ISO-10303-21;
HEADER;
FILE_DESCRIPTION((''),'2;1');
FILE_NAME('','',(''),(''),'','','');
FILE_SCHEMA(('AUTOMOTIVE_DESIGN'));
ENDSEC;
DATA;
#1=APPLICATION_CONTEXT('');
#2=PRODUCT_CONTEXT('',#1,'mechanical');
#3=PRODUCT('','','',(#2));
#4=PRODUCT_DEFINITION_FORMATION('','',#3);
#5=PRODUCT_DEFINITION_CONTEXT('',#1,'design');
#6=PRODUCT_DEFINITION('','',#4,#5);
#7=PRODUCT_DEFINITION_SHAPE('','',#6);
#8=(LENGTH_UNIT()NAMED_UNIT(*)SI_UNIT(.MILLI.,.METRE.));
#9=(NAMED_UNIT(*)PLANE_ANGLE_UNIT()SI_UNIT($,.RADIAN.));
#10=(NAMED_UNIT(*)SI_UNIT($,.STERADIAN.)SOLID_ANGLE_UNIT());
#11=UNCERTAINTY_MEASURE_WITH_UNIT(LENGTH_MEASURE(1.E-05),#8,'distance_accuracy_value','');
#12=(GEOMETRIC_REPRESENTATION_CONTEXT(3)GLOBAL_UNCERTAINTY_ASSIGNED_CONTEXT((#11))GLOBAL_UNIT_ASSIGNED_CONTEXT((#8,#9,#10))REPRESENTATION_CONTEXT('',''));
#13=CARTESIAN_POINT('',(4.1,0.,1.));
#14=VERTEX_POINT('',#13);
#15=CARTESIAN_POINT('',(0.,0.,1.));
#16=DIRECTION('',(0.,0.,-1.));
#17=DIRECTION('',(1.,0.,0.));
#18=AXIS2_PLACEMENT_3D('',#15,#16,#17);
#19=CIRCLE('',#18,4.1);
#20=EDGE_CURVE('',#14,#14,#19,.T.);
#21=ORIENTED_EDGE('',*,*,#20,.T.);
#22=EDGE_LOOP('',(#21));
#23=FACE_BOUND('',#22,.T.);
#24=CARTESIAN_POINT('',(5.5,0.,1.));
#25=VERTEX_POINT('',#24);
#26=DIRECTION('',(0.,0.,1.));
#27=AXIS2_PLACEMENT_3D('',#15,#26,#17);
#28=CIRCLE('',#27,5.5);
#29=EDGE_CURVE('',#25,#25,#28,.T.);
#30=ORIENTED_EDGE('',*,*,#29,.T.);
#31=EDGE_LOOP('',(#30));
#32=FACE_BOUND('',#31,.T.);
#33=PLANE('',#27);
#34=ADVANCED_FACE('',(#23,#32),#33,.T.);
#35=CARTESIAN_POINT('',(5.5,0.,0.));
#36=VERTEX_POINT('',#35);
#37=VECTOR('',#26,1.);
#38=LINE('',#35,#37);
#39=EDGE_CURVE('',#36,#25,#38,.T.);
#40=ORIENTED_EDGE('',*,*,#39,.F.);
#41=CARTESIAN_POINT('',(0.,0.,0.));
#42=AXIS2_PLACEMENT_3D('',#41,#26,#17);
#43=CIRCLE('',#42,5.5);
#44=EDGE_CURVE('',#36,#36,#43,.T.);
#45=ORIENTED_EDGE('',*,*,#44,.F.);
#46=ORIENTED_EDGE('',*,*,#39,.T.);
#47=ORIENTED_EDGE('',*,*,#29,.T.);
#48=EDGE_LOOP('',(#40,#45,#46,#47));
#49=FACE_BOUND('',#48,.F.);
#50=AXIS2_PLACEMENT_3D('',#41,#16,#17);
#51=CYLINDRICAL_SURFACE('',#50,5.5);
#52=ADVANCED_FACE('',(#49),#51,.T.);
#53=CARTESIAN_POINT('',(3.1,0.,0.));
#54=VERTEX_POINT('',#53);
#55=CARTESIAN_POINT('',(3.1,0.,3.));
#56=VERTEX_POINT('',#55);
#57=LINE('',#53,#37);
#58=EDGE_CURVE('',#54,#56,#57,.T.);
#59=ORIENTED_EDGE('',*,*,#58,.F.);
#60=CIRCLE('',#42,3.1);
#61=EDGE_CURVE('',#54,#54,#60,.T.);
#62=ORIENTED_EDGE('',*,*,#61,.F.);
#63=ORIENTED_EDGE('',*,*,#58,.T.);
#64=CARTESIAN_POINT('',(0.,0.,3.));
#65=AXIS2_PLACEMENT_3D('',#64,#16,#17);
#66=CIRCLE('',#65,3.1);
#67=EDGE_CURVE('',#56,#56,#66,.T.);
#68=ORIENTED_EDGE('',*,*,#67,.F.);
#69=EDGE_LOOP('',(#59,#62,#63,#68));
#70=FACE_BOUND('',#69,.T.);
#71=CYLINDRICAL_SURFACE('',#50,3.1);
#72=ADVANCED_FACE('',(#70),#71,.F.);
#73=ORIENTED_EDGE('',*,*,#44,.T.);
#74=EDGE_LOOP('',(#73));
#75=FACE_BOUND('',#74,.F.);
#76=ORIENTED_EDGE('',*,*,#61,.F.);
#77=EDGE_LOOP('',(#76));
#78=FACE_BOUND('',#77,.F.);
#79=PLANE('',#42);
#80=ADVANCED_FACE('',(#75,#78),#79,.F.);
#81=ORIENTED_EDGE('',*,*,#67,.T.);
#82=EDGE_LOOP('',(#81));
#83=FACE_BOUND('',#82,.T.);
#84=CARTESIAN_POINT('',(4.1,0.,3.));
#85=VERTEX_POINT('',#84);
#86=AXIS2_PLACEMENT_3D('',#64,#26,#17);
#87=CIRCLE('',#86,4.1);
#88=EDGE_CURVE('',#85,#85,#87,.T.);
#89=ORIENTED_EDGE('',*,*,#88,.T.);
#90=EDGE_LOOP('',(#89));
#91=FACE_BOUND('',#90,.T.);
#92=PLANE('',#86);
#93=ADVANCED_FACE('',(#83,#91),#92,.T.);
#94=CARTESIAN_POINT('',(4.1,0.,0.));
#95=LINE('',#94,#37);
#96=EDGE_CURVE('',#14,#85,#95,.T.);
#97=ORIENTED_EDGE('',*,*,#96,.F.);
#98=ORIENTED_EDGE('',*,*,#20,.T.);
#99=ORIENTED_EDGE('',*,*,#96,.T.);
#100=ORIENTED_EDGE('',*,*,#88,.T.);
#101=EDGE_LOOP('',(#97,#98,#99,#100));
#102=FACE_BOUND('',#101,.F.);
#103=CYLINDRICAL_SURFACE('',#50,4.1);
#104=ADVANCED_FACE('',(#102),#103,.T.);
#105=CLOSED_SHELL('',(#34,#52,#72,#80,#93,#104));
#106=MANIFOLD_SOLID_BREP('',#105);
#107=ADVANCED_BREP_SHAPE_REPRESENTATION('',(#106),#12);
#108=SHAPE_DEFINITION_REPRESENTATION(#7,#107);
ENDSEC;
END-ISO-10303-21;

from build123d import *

# Parameters (mm, degrees)
SKETCH_R     = 5.5
PAD_DEPTH    = 1
SKETCH001_R  = 4.1
PAD001_DEPTH = 3
SKETCH002_R  = 3.1
POCKET_DEPTH = 3.001


with BuildPart() as part:
    # Sketch → Pad (new body)
    with BuildSketch(Plane.XY):
        Circle(SKETCH_R)
    extrude(amount=PAD_DEPTH)

    # Sketch001 → Pad001 (join)
    with BuildSketch(Plane.XY):
        Circle(SKETCH001_R)
    extrude(amount=PAD001_DEPTH)

    # Sketch002 → Pocket (cut, through all)
    with BuildSketch(Plane.XY):
        Circle(SKETCH002_R)
    extrude(amount=POCKET_DEPTH, mode=Mode.SUBTRACT)


solid = part.part
